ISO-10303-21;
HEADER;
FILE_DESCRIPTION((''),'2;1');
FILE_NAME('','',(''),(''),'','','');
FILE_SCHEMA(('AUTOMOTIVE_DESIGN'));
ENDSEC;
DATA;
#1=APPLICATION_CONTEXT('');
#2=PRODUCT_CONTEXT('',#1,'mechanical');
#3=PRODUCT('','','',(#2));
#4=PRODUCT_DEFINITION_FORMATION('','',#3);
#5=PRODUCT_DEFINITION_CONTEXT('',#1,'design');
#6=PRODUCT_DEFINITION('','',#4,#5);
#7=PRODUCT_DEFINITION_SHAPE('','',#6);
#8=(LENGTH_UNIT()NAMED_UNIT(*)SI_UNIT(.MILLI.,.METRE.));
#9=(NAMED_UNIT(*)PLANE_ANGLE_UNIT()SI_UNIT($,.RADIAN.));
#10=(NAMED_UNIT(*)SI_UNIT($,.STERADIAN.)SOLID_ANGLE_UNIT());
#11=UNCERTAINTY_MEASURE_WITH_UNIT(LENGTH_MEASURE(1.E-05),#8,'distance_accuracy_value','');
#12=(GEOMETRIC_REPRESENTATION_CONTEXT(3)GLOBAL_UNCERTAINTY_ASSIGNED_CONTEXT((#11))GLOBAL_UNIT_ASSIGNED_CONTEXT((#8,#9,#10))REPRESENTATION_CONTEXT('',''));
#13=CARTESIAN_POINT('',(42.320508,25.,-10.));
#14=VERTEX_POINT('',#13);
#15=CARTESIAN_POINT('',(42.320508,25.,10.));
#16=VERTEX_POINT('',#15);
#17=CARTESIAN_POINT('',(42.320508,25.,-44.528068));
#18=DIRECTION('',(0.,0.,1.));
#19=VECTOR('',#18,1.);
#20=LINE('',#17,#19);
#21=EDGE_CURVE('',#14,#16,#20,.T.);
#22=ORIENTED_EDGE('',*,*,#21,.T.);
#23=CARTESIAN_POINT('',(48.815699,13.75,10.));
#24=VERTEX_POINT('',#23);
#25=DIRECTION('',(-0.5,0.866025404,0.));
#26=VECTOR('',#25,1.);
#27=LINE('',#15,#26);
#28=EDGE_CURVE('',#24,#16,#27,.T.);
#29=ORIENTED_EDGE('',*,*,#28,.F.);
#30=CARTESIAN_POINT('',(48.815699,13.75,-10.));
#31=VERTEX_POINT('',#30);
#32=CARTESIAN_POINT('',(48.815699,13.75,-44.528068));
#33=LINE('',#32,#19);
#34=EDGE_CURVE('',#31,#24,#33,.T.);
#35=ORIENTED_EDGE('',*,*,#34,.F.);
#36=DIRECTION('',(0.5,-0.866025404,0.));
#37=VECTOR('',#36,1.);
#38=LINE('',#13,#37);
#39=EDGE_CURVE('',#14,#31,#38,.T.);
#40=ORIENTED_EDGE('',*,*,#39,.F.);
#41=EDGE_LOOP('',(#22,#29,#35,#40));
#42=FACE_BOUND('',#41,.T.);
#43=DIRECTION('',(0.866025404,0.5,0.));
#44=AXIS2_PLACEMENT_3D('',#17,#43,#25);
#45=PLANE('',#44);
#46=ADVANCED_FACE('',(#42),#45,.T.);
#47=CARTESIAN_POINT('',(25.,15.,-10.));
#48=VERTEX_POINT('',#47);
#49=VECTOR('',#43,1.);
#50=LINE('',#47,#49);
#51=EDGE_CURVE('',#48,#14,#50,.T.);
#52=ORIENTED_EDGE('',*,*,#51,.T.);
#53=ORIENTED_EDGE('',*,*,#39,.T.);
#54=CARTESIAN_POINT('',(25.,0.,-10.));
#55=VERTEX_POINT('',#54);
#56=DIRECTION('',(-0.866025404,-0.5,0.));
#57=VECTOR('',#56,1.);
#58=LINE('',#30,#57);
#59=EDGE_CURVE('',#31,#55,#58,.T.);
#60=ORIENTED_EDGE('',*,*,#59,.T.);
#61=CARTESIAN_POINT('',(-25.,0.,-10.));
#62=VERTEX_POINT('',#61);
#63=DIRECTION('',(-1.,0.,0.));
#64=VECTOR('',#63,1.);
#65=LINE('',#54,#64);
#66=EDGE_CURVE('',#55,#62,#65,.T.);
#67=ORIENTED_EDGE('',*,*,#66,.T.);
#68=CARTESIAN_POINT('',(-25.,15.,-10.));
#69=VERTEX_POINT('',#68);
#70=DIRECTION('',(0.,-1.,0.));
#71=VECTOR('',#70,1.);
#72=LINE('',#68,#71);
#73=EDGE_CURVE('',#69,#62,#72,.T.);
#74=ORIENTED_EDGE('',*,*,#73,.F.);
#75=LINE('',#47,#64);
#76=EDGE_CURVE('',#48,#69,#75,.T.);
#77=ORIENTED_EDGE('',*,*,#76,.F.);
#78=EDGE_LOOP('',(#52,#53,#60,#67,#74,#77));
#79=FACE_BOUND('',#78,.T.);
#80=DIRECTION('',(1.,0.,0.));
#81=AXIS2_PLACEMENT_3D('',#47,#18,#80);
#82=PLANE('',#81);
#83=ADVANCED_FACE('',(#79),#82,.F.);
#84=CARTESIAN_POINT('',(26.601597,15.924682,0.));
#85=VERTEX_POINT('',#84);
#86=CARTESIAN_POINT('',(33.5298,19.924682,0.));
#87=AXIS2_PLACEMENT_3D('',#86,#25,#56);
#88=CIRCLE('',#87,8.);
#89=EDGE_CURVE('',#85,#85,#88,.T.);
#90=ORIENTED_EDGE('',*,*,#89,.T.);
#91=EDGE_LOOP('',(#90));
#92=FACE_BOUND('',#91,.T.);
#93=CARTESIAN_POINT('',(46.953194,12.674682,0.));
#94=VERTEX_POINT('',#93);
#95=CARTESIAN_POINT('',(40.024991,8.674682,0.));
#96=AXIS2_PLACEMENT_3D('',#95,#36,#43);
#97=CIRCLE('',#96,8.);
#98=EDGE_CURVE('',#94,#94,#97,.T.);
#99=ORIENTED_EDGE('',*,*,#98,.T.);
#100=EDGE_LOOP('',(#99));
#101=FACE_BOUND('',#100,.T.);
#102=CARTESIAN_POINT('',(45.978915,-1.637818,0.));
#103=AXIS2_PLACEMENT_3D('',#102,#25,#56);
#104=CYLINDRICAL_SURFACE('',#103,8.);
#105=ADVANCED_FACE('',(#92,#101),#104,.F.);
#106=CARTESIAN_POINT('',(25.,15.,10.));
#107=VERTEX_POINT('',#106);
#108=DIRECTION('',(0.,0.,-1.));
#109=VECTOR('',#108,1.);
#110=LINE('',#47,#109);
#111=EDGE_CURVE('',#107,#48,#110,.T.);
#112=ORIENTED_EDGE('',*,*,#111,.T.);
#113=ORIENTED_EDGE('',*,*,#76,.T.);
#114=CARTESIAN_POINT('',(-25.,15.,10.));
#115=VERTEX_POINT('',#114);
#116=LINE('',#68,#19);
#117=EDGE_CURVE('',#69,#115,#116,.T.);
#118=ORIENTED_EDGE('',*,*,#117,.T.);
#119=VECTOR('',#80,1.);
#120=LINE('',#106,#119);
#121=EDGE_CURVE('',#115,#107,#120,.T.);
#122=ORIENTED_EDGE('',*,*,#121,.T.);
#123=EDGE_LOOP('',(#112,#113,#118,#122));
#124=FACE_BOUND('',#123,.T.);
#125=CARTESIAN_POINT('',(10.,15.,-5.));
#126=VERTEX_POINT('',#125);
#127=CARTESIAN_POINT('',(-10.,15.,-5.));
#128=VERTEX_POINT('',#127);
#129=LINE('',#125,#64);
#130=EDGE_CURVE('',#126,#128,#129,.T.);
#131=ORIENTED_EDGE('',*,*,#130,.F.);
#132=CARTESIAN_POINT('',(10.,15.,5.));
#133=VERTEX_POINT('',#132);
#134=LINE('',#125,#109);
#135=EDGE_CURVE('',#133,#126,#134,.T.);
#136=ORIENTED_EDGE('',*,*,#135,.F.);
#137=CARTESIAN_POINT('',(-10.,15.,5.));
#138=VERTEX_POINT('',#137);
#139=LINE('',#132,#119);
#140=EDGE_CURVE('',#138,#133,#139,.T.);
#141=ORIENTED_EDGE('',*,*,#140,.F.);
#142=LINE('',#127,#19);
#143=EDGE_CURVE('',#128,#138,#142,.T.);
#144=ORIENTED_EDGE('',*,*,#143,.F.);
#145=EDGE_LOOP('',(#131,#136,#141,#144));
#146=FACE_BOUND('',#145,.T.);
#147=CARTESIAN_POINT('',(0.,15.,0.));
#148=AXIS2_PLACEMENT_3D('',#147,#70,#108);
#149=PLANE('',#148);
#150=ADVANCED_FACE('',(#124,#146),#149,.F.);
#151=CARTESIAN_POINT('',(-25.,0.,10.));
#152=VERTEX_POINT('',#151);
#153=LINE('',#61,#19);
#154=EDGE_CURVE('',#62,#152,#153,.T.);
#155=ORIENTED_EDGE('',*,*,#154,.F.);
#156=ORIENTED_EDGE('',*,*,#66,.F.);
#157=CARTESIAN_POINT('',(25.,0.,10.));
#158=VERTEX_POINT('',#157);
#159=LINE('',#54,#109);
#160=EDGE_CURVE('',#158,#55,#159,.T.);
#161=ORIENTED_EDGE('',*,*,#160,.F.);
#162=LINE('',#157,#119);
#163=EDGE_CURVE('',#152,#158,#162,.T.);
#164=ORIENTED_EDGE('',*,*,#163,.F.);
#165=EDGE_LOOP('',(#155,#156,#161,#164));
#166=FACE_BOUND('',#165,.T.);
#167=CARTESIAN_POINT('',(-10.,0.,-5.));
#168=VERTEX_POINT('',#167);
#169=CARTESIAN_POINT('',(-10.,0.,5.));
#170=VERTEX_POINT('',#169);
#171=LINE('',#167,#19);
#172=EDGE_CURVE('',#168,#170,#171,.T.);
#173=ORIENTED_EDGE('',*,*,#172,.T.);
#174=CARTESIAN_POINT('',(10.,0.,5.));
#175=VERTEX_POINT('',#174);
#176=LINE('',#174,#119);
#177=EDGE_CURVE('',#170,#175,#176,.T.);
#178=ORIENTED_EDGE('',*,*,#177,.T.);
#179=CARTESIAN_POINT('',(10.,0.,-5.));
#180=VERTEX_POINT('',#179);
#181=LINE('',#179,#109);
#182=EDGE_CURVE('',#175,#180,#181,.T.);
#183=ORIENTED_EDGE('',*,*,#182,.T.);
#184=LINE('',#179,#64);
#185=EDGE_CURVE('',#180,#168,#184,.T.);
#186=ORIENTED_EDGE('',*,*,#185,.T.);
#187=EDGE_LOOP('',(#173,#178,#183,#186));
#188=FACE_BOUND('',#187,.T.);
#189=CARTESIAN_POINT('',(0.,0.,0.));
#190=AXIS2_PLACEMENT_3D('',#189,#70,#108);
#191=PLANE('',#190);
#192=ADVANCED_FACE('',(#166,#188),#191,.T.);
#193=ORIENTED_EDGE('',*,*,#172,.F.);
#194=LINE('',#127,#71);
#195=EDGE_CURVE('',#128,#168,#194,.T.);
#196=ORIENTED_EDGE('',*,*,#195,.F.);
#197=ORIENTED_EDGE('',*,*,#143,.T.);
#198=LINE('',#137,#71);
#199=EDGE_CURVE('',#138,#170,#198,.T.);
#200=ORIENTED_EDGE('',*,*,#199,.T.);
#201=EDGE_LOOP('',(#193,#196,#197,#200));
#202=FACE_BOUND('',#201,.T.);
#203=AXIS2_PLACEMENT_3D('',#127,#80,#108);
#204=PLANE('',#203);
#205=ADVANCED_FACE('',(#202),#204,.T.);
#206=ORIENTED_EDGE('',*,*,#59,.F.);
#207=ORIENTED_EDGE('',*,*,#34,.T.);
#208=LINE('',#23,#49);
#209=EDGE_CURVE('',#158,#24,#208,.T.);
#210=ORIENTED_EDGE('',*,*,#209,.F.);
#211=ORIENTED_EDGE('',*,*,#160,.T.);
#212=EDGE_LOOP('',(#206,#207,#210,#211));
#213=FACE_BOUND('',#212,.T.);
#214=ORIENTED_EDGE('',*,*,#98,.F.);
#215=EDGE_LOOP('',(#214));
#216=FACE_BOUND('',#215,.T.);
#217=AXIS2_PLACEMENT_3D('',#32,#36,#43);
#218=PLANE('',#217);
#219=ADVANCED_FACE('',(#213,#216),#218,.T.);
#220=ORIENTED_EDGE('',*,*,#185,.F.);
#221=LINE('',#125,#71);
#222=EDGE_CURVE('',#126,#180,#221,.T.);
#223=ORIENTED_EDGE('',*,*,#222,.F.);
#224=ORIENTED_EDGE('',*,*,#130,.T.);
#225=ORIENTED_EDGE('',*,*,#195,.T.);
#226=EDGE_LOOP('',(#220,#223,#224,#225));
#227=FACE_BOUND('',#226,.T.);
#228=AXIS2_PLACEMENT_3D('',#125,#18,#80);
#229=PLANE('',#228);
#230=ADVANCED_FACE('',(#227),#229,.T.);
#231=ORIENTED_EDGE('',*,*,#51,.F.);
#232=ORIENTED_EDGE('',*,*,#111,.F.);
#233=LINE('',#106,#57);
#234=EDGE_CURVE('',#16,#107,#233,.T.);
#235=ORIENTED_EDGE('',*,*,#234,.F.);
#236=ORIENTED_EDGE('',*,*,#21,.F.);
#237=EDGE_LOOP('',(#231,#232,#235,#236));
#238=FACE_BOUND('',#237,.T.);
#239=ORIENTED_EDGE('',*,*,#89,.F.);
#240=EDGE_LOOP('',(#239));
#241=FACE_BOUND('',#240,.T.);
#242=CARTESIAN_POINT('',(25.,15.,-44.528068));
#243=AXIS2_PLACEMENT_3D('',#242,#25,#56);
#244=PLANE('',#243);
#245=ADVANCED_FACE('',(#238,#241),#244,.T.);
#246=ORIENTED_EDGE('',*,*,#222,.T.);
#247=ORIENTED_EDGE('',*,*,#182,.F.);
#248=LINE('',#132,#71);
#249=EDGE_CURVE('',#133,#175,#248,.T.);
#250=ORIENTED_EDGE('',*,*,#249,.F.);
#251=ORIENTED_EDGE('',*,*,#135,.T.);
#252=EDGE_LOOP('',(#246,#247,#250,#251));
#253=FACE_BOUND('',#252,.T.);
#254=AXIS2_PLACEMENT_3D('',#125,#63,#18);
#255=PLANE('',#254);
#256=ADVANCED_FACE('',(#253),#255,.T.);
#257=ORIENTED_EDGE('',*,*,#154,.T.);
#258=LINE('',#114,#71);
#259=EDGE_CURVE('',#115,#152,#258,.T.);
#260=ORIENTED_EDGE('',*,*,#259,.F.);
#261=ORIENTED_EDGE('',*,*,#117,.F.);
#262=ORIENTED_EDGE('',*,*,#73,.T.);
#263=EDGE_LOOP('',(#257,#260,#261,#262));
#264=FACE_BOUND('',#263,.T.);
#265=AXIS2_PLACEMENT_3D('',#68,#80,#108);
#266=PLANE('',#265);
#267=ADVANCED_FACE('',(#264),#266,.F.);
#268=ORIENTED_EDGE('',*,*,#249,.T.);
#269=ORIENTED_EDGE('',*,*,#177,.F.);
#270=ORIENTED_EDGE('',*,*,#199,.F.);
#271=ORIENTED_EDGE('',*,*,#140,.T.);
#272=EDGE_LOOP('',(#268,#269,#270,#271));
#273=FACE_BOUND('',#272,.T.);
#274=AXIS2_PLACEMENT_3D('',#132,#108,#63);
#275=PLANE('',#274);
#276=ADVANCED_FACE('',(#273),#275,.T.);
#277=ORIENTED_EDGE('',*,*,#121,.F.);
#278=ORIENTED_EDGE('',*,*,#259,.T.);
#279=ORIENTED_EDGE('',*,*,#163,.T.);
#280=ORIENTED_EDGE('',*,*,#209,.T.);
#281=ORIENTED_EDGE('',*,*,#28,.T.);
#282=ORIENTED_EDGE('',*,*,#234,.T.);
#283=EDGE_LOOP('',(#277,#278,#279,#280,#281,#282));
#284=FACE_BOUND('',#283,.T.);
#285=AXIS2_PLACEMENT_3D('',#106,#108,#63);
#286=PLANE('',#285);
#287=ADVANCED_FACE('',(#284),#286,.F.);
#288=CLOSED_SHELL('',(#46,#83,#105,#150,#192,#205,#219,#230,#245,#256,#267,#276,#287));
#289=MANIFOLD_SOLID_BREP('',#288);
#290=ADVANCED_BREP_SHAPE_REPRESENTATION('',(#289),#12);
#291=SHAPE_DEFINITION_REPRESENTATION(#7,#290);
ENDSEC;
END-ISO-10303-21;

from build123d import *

# Parameters (mm, degrees)
SKETCH_1_W          = 50
SKETCH_1_H          = 20
SKETCH_1_W_2        = 20
SKETCH_1_H_2        = 10
EXTRUDE_1_DEPTH     = 15
EXTRUDE_2_DEPTH     = 20
SKETCH_3_R          = 8
CUT_EXTRUDE_1_DEPTH = 56.775595694


with BuildPart() as part:
    # 草图1 → 凸台-拉伸1 (new body)
    with BuildSketch(Plane(origin=(0, 0, 0), x_dir=(1, 0, 0), z_dir=(0, 1, 0))):
        Rectangle(SKETCH_1_W, SKETCH_1_H)
        Rectangle(SKETCH_1_W_2, SKETCH_1_H_2, mode=Mode.SUBTRACT)
    extrude(amount=EXTRUDE_1_DEPTH)

    # 草图2 → 凸台-拉伸2 (add)
    with BuildSketch(Plane.XY.offset(10)):
        Polygon((25, 15), (42.320508076, 25), (48.815698604, 13.75), (25, 0), align=None)
    extrude(amount=-EXTRUDE_2_DEPTH)

    # 草图3 → 切除-拉伸1 (cut, through all)
    with BuildSketch(Plane(origin=(-0.245190528, 0.424682453, 0), x_dir=(0.8660254037844378, 0.5000000000000017, 0), z_dir=(-0.5000000000000016, 0.8660254037844377, 0))):
        with Locations(Location((39, 0, 0), (0, 0, 180))):
            Circle(SKETCH_3_R)
    extrude(amount=-CUT_EXTRUDE_1_DEPTH, mode=Mode.SUBTRACT)


solid = part.part
